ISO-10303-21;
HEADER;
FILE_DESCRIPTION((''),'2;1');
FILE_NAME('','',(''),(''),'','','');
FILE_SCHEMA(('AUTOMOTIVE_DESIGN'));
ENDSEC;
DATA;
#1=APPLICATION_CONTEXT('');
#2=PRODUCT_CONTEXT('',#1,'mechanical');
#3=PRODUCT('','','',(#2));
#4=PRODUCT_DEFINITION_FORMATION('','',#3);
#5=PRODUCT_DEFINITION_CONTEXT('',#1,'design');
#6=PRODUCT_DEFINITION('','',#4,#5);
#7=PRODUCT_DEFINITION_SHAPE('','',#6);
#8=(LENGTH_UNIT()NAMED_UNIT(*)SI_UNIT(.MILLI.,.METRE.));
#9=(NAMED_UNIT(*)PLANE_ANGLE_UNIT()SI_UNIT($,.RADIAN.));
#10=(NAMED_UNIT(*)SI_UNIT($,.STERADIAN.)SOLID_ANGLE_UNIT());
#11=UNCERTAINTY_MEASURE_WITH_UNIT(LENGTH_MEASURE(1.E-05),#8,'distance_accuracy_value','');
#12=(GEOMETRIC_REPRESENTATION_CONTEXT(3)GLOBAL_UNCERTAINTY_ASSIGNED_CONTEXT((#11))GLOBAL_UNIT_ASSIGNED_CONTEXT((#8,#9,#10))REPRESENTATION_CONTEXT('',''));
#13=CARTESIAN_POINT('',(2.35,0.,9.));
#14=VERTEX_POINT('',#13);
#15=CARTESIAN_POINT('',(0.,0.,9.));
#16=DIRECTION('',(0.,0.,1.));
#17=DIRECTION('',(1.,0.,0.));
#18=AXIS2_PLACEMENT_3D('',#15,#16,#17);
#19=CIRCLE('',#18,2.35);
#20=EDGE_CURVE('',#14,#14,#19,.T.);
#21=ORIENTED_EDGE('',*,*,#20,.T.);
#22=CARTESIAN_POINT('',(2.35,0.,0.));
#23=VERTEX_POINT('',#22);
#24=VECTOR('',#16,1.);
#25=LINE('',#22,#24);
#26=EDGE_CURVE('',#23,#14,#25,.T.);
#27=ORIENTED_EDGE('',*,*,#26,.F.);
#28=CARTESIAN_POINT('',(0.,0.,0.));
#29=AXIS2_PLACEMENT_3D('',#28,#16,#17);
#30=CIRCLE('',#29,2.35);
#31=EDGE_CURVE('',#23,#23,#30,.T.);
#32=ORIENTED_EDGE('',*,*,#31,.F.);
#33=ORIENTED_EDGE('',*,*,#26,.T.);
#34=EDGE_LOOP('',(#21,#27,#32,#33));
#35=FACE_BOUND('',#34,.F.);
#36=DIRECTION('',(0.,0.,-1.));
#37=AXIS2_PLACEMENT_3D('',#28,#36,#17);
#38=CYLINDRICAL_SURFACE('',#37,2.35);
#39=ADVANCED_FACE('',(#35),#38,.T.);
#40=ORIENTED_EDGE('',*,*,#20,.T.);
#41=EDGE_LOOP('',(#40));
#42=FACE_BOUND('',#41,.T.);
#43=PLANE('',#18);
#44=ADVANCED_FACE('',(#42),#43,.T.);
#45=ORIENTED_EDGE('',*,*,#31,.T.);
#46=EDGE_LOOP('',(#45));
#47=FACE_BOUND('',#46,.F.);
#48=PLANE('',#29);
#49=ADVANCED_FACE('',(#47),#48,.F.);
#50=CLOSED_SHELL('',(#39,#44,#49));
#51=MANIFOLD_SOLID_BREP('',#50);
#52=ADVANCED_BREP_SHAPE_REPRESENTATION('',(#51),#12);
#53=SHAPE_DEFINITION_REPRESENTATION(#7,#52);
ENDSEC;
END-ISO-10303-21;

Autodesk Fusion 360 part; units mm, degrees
sketch "Sketch1" plane through (0, 0, 0) normal (0, 0, 1) x (1, 0, 0)
  circle A0 centre (0, 0) radius 2.35
  dimension "d1" = 4.7
extrude "Extrude1" add sketch "Sketch1" along normal blind 9
